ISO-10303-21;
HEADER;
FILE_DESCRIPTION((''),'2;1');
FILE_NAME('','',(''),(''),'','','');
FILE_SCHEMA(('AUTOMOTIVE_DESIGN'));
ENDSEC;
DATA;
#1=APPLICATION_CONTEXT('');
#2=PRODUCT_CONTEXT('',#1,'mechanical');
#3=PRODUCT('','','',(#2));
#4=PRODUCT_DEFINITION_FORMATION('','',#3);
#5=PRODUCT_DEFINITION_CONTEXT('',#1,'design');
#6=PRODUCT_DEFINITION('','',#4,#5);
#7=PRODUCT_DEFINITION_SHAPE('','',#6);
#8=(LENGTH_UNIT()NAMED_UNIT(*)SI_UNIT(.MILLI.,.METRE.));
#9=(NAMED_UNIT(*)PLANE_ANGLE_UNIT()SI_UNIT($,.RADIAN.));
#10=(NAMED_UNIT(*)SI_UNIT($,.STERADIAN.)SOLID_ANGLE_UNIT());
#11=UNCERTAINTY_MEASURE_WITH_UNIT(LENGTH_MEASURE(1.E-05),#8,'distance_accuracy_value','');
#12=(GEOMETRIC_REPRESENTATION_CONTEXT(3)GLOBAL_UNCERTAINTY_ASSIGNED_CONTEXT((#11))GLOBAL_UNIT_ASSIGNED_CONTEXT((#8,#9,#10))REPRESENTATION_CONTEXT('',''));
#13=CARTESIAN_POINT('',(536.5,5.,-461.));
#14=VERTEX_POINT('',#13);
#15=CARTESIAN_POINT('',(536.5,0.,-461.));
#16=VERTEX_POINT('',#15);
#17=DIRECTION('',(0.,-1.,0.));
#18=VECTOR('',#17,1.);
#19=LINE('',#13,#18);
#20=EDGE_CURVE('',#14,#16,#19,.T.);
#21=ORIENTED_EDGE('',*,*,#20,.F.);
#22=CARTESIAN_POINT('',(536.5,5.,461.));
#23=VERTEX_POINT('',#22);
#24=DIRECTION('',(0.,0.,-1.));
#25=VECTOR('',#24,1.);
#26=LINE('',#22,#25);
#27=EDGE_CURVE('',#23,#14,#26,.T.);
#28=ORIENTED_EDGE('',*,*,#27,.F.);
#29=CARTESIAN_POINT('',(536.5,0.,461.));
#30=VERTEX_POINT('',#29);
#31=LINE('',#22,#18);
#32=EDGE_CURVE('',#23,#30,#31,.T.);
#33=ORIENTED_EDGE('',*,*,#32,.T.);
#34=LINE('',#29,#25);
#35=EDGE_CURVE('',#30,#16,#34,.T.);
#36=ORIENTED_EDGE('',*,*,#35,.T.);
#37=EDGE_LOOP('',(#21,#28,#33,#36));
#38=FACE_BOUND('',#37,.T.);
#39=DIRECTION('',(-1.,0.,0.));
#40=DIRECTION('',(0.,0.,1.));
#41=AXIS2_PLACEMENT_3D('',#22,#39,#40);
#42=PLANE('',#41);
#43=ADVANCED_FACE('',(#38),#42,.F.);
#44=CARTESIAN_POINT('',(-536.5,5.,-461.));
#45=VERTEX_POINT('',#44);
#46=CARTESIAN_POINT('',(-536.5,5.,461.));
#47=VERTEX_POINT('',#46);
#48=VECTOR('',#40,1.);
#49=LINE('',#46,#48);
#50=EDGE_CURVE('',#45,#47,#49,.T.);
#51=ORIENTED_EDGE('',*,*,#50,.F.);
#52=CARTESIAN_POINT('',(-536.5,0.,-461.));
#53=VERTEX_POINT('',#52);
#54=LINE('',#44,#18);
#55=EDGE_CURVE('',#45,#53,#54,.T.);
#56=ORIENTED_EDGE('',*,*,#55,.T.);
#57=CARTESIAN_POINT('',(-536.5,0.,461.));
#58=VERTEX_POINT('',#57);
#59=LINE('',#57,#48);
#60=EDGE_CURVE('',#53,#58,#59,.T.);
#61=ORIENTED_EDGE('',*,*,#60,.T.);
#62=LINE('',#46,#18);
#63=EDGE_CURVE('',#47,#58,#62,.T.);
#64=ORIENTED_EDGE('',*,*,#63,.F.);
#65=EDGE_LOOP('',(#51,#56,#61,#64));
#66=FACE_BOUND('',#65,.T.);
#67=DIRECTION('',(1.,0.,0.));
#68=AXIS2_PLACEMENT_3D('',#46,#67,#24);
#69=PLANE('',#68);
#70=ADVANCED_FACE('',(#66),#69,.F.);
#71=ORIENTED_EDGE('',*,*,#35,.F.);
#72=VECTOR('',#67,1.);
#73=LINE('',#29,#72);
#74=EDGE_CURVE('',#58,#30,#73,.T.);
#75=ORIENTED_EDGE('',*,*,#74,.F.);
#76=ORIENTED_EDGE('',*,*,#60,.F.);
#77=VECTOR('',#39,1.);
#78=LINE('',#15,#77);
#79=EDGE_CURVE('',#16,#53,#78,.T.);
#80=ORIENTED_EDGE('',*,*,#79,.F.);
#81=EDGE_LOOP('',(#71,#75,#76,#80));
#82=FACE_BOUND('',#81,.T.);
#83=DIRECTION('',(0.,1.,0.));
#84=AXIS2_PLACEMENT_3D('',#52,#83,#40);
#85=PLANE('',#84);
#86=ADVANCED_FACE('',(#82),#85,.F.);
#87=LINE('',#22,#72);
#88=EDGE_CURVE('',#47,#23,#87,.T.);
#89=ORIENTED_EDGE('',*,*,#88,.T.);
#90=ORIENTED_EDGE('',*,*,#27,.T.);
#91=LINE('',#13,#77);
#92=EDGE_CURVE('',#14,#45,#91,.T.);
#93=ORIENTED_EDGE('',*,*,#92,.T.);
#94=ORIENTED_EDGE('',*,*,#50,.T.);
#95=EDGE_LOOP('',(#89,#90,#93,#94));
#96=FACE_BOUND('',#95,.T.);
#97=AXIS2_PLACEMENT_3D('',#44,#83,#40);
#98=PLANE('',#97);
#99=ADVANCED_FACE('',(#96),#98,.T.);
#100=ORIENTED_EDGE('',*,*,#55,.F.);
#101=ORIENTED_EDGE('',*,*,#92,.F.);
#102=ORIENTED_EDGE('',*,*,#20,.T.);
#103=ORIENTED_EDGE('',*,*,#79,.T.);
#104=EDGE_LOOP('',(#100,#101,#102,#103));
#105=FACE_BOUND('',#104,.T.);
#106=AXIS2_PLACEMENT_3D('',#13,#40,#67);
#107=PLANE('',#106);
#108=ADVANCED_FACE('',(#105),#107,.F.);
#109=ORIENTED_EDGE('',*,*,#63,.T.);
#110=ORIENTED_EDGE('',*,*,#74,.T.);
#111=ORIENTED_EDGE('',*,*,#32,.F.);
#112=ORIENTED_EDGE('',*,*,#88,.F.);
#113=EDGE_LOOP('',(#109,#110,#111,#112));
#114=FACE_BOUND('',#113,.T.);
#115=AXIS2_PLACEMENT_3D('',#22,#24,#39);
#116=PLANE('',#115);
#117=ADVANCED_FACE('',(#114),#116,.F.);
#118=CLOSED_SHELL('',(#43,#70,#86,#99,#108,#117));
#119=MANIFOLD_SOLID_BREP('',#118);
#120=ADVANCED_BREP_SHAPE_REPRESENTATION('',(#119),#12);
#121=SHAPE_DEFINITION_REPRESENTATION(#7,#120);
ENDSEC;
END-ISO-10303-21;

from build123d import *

# Parameters (mm, degrees)
CROQUIS1_W     = 1073
CROQUIS1_H     = 922
EXTRUIR1_DEPTH = 5


with BuildPart() as part:
    # Croquis1 → Extruir1 (new body)
    with BuildSketch(Plane(origin=(0, 0, 0), x_dir=(1, 0, 0), z_dir=(0, 1, 0))):
        Rectangle(CROQUIS1_W, CROQUIS1_H)
    extrude(amount=EXTRUIR1_DEPTH)


solid = part.part
